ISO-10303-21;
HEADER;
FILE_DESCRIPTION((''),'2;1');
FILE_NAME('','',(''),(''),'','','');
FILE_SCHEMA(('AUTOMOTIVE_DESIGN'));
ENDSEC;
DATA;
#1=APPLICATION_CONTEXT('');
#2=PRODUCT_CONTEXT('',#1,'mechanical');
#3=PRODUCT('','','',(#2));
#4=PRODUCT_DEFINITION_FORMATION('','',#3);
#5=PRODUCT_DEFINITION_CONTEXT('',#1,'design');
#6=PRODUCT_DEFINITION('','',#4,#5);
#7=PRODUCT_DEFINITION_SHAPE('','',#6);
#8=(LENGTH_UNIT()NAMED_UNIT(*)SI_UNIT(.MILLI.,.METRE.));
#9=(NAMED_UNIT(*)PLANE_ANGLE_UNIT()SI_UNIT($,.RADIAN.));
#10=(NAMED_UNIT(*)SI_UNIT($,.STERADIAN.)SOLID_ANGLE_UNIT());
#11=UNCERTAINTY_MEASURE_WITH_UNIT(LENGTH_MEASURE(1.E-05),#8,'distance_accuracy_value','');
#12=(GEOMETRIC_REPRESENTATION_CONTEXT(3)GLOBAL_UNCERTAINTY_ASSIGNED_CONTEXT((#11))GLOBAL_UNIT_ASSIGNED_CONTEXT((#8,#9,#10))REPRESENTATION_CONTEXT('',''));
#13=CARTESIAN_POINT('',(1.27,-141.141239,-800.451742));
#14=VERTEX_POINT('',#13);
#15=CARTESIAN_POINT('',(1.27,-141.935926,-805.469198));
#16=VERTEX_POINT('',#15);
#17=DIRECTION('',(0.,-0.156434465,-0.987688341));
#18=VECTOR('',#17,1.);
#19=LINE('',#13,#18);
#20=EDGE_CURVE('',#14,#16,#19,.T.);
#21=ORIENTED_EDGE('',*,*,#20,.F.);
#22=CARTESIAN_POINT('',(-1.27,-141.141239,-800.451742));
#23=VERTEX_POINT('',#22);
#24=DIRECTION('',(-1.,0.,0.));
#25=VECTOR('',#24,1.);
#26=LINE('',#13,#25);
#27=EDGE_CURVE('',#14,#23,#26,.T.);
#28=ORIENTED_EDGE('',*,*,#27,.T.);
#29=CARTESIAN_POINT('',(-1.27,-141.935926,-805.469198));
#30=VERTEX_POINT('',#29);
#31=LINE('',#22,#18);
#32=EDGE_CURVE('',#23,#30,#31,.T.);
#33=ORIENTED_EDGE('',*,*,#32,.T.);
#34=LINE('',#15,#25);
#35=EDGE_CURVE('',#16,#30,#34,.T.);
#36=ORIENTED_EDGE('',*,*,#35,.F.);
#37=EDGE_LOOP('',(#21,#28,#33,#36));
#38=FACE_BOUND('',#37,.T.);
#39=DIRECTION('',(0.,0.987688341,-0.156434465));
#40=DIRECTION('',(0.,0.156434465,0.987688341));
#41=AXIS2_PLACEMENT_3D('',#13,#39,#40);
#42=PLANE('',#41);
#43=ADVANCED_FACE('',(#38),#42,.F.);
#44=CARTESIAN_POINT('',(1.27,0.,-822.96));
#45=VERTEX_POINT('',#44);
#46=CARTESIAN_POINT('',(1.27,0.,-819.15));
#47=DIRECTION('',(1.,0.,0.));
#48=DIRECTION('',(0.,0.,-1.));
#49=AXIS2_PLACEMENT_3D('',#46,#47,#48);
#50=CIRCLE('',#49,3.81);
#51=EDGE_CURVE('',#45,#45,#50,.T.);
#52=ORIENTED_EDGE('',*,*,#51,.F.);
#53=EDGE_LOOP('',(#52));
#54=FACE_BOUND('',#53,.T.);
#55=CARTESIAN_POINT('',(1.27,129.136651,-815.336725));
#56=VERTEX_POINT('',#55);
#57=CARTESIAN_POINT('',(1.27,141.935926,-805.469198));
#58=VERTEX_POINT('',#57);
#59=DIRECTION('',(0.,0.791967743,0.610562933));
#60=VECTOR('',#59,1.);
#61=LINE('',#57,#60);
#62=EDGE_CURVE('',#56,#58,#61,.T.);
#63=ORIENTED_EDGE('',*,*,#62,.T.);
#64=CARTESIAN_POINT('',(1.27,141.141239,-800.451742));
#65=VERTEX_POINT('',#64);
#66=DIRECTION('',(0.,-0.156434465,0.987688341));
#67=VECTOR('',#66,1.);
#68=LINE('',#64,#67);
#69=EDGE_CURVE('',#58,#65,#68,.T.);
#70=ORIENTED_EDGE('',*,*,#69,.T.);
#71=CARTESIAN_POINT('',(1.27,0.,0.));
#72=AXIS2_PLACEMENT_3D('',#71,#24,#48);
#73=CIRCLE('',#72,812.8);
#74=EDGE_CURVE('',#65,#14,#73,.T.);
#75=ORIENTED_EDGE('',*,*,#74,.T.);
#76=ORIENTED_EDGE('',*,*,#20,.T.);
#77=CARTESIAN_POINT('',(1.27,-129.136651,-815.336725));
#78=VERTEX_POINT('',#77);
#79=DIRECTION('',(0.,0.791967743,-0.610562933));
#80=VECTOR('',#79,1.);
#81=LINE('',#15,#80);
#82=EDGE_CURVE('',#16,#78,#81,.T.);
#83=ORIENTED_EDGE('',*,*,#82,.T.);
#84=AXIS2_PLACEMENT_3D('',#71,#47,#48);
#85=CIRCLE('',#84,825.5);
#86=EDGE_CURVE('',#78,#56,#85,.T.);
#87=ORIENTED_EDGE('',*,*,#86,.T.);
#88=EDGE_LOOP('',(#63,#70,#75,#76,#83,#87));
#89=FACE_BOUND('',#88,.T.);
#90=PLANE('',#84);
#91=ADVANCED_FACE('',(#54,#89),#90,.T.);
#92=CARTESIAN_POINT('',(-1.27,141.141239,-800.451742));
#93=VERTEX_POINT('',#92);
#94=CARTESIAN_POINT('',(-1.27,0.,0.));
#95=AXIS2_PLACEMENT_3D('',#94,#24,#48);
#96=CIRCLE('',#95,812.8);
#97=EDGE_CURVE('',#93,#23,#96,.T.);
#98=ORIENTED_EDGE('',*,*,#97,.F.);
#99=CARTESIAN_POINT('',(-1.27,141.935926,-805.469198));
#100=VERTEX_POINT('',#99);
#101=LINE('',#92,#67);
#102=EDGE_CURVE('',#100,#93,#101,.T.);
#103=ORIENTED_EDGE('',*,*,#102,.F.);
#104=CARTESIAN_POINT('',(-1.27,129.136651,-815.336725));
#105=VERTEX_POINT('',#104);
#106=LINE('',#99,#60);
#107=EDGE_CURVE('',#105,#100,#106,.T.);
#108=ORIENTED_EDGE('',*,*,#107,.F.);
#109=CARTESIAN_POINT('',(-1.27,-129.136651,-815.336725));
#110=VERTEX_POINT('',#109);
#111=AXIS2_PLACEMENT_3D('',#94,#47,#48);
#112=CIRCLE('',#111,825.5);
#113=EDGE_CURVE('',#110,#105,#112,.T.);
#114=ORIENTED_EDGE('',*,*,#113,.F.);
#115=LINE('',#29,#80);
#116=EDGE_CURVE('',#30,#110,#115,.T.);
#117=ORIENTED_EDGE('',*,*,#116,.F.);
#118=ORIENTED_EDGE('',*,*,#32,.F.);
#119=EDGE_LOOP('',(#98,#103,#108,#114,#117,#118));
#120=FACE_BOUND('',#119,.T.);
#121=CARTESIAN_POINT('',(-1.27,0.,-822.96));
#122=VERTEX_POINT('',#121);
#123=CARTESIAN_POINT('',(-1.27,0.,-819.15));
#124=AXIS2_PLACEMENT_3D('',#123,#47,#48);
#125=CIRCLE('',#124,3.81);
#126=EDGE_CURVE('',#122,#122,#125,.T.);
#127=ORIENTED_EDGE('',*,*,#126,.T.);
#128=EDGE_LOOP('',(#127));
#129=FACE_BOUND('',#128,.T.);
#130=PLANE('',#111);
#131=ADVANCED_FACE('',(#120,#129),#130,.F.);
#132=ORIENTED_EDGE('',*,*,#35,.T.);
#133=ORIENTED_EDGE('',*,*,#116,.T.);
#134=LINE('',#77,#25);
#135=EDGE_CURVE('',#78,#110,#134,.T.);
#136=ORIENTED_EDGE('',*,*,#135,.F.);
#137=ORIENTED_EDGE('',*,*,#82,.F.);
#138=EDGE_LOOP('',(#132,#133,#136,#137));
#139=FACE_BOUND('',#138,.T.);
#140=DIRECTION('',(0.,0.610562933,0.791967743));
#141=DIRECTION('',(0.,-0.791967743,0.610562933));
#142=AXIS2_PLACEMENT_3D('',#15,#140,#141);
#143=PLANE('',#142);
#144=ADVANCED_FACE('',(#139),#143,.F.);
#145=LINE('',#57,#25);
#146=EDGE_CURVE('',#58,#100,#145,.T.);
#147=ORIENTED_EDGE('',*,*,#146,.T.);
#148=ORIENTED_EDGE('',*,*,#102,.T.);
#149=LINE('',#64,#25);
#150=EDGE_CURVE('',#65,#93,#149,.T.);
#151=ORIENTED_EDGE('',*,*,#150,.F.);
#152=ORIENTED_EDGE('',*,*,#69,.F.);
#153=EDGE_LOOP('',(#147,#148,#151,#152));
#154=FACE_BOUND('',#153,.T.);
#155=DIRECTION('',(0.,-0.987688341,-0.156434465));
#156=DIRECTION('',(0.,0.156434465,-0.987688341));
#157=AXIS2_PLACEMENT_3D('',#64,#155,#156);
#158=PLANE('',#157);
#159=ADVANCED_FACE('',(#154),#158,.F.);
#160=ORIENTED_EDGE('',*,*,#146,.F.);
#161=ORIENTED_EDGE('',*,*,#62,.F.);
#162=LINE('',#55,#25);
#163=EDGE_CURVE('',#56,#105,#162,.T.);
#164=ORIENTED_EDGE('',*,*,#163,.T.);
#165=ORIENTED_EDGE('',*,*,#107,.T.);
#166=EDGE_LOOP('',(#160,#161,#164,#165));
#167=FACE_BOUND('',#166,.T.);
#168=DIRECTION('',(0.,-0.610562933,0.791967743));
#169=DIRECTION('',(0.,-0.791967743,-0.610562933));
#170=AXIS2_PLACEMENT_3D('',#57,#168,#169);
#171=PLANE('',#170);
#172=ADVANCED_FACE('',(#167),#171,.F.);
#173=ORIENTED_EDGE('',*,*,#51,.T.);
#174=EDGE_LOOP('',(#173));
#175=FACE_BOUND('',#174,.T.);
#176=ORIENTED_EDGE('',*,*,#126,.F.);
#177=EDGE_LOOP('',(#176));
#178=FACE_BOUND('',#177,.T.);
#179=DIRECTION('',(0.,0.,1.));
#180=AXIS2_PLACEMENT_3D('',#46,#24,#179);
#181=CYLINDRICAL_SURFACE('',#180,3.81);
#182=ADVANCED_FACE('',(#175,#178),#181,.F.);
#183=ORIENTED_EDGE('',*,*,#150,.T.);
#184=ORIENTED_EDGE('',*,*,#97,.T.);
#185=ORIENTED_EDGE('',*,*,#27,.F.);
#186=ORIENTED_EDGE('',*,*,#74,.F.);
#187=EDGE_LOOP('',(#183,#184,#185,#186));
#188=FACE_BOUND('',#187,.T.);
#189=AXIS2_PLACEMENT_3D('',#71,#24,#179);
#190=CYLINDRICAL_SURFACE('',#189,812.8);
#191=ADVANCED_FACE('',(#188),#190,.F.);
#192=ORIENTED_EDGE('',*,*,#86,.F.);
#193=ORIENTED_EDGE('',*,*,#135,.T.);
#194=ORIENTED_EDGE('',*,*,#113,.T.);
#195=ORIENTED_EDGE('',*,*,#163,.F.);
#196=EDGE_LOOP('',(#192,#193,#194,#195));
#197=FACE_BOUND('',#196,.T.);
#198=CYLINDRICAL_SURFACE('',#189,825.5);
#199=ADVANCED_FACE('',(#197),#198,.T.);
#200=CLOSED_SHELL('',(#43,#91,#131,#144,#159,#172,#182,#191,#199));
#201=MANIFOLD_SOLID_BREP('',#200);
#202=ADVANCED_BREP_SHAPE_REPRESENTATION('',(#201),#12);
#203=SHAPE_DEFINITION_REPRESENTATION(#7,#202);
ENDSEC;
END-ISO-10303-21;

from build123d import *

# Parameters (mm, degrees)
SKETCH1_R           = 3.81
BOSS_EXTRUDE1_DEPTH = 1.27


with BuildPart() as part:
    # Sketch1 → Boss-Extrude1 (new, symmetric)
    with BuildSketch(Plane.YZ):
        with BuildLine():
            Line((141.141238808, -800.451741648), (141.93592589, -805.469198419))
            Line((141.93592589, -805.469198419), (129.136650891, -815.336725161))
            ThreePointArc((129.136650891, -815.336725161), (0, -825.5), (-129.136650891, -815.336725161))
            Line((-129.136650891, -815.336725161), (-141.93592589, -805.469198419))
            Line((-141.93592589, -805.469198419), (-141.141238808, -800.451741648))
            ThreePointArc((-141.141238808, -800.451741648), (0, -812.8), (141.141238808, -800.451741648))
        make_face()
        with Locations(Location((0, -819.15, 0), (0, 0, 270))):
            Circle(SKETCH1_R, mode=Mode.SUBTRACT)
    extrude(amount=BOSS_EXTRUDE1_DEPTH, both=True)


solid = part.part
